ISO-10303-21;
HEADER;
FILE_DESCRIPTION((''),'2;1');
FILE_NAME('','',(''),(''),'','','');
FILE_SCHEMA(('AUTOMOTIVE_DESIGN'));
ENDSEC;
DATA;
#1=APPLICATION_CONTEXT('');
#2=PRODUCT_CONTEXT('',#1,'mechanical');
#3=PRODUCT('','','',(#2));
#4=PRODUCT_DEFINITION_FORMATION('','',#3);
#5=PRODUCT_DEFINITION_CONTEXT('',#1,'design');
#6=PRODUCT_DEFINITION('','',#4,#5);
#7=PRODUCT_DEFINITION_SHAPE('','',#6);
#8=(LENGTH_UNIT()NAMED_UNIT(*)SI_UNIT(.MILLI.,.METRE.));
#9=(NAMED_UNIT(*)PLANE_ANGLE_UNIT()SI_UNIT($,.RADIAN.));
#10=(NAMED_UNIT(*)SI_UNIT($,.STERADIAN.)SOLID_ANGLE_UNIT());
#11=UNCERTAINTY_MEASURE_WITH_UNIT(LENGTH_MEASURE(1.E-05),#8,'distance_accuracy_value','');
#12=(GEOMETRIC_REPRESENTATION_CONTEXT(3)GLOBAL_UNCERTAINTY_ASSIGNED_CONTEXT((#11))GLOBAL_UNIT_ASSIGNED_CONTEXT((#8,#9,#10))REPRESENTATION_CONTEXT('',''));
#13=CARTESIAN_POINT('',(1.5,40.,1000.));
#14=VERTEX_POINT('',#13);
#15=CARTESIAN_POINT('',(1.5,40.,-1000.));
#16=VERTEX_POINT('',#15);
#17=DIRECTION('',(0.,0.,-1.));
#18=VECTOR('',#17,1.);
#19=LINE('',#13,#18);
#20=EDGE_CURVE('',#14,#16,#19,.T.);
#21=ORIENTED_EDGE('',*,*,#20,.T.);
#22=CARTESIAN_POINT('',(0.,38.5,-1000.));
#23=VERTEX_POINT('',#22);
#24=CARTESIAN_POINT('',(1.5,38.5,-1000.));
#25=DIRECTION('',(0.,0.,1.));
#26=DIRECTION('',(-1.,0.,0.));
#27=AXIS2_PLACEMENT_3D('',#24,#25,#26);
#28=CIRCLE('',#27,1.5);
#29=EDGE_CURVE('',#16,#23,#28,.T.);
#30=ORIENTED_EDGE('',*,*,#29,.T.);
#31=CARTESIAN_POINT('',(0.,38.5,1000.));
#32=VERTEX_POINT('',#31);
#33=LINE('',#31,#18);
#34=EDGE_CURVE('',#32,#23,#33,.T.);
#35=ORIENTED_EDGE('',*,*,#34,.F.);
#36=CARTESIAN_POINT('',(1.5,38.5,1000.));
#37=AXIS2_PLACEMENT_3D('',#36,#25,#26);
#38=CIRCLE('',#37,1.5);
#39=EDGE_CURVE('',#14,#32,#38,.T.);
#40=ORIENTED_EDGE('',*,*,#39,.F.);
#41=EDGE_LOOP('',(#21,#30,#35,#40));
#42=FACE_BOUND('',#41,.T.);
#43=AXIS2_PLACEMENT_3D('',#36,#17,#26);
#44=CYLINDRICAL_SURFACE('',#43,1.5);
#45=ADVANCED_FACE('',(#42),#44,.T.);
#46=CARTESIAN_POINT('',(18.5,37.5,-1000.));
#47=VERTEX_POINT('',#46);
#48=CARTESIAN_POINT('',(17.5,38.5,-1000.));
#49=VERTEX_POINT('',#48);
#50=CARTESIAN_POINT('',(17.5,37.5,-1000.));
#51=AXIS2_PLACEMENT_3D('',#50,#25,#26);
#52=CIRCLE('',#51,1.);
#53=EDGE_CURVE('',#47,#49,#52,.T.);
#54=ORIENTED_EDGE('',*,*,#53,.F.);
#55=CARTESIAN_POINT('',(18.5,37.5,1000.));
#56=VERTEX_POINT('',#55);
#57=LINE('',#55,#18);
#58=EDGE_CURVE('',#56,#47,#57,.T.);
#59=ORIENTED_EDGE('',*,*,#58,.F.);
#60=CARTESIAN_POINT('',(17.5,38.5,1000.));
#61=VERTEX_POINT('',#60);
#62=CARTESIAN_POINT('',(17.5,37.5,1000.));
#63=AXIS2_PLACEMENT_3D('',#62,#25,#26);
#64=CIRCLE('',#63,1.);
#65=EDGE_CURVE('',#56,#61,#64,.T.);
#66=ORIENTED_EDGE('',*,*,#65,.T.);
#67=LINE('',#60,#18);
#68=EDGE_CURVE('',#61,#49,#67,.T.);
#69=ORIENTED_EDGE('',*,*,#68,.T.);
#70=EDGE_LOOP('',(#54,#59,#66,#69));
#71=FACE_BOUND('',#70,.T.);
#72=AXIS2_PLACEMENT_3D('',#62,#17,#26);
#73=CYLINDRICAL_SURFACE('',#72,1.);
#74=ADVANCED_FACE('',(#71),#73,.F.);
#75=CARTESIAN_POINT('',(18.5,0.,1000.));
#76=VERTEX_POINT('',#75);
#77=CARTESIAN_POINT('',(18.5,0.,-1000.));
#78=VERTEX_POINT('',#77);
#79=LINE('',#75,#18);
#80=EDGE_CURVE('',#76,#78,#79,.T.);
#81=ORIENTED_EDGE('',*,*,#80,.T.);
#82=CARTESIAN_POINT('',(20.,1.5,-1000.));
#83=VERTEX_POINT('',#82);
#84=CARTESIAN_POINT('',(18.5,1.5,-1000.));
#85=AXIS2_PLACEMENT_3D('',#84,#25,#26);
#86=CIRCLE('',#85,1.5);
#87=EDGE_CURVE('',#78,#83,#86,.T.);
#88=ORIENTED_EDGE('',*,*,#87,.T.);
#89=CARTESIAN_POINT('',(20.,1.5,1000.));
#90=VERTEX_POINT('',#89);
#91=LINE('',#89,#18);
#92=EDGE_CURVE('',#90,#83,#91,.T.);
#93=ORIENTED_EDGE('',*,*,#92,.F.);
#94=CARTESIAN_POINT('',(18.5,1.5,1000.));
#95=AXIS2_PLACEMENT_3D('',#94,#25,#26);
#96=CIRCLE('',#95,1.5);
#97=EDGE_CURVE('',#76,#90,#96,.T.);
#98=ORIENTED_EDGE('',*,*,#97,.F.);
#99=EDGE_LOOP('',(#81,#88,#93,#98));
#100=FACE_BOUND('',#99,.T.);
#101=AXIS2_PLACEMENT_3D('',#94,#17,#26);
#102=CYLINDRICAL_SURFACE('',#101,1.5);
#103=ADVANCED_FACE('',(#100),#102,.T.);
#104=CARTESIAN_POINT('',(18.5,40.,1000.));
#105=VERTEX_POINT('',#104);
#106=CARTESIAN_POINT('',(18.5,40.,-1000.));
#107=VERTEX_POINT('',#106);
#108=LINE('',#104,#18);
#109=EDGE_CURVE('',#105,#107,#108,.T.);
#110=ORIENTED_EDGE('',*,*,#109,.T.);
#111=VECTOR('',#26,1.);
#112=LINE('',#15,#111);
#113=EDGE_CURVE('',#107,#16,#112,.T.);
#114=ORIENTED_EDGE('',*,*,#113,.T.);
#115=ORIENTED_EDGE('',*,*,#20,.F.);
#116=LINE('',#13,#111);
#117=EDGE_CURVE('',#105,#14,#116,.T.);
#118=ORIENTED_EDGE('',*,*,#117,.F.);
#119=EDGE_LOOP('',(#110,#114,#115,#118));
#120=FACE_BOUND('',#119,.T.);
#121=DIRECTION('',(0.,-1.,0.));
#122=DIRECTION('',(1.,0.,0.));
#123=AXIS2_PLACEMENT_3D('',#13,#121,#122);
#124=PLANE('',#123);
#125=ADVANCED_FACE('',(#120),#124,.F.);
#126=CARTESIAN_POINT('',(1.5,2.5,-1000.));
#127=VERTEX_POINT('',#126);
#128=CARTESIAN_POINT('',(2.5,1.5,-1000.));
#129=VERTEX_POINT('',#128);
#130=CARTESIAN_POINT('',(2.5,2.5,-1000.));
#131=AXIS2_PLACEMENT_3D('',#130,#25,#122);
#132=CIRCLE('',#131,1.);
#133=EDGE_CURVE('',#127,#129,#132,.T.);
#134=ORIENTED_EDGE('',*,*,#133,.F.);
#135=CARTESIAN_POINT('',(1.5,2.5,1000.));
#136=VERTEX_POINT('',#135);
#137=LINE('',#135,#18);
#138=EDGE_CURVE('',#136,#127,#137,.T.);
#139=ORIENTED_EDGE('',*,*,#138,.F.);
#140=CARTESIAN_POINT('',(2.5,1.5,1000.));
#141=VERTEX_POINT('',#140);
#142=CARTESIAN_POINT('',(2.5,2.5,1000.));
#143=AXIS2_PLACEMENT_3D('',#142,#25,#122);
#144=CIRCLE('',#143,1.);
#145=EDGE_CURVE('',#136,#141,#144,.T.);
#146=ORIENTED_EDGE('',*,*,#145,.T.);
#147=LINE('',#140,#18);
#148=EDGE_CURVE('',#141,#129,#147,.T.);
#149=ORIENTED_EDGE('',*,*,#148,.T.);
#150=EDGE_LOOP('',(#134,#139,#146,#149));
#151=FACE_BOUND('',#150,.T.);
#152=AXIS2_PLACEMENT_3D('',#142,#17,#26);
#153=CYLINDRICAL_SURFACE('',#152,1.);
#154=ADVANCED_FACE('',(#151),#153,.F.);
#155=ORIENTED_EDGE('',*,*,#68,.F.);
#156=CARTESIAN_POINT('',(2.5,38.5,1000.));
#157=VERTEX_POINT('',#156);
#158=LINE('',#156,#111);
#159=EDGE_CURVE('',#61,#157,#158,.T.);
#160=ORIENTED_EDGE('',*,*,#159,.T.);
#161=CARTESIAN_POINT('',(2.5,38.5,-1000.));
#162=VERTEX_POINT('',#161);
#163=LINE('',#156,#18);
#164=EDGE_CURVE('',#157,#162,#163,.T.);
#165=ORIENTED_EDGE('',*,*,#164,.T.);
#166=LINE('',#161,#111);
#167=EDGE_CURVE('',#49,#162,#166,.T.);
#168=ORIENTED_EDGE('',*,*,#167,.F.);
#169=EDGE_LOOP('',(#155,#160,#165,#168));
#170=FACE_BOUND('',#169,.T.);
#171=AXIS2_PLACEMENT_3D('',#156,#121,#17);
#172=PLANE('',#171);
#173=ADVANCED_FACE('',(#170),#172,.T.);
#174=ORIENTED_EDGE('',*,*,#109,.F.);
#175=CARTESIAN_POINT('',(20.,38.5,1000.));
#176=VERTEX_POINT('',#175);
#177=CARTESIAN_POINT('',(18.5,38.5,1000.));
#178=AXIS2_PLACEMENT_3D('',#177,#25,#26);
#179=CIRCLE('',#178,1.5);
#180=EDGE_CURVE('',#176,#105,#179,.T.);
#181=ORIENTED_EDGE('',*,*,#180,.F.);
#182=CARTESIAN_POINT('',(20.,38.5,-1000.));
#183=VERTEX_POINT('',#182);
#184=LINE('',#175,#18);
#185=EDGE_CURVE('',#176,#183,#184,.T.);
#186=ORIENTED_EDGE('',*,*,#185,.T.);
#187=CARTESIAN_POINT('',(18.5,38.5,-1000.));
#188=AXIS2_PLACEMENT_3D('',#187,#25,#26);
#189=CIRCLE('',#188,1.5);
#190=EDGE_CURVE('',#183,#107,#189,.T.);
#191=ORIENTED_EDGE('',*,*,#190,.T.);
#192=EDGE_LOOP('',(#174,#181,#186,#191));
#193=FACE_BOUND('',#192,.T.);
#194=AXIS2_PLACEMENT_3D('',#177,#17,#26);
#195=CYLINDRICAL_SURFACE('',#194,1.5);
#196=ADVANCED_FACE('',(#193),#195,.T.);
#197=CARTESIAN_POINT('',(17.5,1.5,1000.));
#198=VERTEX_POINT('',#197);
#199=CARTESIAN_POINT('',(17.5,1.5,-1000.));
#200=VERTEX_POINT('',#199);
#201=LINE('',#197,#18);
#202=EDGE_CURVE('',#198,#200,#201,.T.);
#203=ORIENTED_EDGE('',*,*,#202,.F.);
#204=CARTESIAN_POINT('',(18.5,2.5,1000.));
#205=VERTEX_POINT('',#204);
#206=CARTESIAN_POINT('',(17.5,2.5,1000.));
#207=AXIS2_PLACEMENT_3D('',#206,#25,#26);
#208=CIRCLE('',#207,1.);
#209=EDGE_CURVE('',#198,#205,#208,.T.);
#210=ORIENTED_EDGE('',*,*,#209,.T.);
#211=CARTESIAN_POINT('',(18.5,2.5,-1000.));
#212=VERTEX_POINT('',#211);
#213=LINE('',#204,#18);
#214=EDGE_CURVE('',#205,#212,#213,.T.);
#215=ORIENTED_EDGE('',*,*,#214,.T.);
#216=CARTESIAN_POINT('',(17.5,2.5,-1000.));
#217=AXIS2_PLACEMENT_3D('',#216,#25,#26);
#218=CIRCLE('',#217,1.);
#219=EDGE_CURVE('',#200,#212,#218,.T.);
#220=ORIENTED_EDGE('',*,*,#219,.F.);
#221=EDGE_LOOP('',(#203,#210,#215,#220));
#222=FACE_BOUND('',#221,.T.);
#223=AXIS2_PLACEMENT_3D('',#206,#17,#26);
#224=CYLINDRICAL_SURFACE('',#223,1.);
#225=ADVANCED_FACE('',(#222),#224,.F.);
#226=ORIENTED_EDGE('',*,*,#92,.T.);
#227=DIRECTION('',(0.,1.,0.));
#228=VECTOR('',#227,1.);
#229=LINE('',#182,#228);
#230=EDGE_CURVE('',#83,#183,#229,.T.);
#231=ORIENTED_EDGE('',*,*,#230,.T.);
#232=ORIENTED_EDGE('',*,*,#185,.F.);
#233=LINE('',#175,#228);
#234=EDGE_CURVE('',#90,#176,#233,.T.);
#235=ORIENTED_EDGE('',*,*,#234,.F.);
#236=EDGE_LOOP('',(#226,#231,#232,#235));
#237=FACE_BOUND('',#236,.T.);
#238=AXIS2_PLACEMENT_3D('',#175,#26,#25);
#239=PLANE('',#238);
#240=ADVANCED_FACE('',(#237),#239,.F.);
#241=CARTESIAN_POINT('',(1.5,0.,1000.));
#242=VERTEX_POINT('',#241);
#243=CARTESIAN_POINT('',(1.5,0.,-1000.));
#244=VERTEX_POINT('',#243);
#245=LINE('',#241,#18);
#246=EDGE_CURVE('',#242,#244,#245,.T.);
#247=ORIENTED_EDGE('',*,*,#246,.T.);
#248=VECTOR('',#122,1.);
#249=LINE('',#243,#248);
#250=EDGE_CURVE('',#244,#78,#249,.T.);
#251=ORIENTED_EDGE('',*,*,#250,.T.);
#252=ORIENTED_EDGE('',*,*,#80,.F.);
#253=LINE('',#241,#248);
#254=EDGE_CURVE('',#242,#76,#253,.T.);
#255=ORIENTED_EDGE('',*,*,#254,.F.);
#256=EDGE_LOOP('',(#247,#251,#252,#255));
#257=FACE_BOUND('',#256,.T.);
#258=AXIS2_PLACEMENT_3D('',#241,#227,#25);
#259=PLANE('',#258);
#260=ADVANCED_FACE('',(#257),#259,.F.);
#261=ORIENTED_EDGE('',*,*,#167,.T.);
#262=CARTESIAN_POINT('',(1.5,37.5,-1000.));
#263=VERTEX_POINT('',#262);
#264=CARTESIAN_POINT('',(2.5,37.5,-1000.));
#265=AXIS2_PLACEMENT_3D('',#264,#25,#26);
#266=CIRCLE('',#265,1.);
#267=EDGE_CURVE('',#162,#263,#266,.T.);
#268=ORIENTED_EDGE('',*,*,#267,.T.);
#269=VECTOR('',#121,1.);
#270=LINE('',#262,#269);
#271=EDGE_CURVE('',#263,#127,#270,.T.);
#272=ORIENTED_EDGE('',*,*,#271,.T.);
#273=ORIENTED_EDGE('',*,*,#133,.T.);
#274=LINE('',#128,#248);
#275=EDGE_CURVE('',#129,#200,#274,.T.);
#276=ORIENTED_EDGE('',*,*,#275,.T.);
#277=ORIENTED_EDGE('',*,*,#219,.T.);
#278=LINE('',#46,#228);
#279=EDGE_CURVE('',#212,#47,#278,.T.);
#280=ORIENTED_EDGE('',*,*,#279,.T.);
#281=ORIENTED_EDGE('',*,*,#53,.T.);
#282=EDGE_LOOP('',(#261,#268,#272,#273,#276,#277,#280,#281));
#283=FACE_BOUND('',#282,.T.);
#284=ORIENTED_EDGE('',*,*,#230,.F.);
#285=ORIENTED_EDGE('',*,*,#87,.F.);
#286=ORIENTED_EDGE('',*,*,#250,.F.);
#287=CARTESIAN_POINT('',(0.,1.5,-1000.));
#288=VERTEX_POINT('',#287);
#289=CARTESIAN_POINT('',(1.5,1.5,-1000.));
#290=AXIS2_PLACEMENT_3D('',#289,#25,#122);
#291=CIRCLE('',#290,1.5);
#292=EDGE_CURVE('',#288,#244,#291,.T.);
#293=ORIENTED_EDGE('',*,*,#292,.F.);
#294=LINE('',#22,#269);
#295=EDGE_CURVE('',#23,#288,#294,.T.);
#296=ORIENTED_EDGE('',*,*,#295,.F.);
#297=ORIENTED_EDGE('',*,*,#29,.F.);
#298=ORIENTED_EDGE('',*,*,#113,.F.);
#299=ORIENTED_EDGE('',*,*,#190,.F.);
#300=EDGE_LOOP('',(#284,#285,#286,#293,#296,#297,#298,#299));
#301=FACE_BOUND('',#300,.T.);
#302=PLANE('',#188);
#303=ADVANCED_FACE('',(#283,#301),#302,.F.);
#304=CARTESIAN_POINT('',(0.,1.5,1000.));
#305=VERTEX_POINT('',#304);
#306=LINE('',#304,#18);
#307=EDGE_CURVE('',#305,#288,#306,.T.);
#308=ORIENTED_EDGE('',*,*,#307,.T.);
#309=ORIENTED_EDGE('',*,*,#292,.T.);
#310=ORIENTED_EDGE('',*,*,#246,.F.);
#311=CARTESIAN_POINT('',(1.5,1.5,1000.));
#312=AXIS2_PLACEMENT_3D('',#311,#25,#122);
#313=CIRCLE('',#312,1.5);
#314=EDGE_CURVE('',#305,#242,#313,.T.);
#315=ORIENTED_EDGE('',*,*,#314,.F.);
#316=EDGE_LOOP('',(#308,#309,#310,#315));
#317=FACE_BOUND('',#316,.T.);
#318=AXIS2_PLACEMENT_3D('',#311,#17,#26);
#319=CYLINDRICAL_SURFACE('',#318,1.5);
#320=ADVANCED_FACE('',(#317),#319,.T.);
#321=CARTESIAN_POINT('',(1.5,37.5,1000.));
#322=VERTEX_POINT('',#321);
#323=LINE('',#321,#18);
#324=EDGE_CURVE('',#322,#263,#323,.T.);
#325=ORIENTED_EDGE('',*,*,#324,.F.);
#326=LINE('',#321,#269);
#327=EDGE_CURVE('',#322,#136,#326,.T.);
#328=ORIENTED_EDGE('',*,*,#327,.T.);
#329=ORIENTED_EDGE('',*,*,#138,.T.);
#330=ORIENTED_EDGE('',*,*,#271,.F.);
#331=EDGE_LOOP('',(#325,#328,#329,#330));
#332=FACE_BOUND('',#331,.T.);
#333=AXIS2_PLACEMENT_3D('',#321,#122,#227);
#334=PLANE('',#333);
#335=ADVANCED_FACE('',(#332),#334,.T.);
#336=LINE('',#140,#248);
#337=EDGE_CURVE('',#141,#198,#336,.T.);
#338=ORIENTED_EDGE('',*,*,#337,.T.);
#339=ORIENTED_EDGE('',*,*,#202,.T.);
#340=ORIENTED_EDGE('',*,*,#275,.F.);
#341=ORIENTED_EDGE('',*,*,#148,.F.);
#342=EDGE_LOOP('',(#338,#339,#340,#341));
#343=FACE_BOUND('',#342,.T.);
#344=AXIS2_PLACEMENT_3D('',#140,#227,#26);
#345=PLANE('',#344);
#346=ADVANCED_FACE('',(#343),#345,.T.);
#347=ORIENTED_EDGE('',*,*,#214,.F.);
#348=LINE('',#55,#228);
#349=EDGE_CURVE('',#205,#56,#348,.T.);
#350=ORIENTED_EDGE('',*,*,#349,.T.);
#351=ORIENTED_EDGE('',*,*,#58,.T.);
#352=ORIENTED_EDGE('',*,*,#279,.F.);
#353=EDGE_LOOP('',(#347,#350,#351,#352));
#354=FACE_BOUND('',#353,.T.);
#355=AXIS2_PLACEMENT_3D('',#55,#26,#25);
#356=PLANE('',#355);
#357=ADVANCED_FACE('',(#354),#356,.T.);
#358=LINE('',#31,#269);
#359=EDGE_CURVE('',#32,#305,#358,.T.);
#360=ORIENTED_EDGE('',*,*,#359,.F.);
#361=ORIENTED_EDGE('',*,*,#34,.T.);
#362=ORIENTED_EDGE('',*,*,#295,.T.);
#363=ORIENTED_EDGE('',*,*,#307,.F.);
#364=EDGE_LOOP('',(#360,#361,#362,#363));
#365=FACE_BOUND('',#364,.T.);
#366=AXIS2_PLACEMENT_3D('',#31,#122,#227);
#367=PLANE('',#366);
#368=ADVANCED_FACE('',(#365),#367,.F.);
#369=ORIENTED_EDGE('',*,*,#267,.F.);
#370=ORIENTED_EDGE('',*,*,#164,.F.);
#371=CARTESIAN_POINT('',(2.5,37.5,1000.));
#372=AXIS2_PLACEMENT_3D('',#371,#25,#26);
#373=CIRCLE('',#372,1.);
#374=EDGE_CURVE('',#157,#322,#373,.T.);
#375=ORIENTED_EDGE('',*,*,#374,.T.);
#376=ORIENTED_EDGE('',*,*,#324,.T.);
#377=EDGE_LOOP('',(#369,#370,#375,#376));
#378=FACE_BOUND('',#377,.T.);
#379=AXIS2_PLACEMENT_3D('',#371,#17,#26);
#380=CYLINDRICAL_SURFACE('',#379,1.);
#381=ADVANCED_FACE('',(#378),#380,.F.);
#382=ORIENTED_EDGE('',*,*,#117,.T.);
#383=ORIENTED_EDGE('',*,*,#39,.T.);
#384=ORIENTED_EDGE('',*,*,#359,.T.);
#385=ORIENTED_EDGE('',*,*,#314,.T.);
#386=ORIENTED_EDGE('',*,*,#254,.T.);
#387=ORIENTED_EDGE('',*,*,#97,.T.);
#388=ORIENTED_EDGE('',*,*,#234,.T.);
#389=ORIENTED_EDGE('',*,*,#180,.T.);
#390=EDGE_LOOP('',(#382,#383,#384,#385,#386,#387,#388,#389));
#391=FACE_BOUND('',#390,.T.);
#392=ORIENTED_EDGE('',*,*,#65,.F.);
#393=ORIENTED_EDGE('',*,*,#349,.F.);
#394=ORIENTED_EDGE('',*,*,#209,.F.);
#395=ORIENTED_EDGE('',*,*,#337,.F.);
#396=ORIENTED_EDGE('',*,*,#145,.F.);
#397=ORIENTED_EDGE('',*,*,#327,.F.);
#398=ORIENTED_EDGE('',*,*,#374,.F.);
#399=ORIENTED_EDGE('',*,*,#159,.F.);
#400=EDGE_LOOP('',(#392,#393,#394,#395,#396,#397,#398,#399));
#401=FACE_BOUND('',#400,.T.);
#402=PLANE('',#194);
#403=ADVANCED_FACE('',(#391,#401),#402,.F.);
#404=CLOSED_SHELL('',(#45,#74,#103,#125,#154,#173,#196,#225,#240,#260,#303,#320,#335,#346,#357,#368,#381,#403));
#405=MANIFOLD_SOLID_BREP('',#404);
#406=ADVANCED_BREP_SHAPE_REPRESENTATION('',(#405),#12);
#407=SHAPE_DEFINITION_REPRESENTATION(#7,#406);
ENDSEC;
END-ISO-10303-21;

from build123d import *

# Parameters (mm, degrees)
EXTRUDE_1_DEPTH = 1000


with BuildPart() as part:
    # Эскиз1 → Бобышка-Вытянуть1 (new body)
    with BuildSketch(Plane.XY):
        with BuildLine():
            Line((0, 38.5), (0, 1.5))
            ThreePointArc((0, 1.5), (0.439339828, 0.439339828), (1.5, 0))
            Line((1.5, 0), (18.5, 0))
            ThreePointArc((18.5, 0), (19.560660172, 0.439339828), (20, 1.5))
            Line((20, 1.5), (20, 38.5))
            ThreePointArc((20, 38.5), (19.560660172, 39.560660172), (18.5, 40))
            Line((18.5, 40), (1.5, 40))
            ThreePointArc((1.5, 40), (0.439339828, 39.560660172), (0, 38.5))
        make_face()
        with BuildLine():
            Line((1.5, 37.5), (1.5, 2.5))
            ThreePointArc((1.5, 2.5), (1.792893219, 1.792893219), (2.5, 1.5))
            Line((2.5, 1.5), (17.5, 1.5))
            ThreePointArc((17.5, 1.5), (18.207106781, 1.792893219), (18.5, 2.5))
            Line((18.5, 2.5), (18.5, 37.5))
            ThreePointArc((18.5, 37.5), (18.207106781, 38.207106781), (17.5, 38.5))
            Line((17.5, 38.5), (2.5, 38.5))
            ThreePointArc((2.5, 38.5), (1.792893219, 38.207106781), (1.5, 37.5))
        make_face(mode=Mode.SUBTRACT)
    extrude_1 = extrude(amount=EXTRUDE_1_DEPTH)

    # Зеркальное отражение1: Бобышка-Вытянуть1 across plane
    add(extrude_1.mirror(Plane(origin=(18.5, 38.5, 0), x_dir=(1, 0, 0), z_dir=(0, 0, -1))))


solid = part.part
